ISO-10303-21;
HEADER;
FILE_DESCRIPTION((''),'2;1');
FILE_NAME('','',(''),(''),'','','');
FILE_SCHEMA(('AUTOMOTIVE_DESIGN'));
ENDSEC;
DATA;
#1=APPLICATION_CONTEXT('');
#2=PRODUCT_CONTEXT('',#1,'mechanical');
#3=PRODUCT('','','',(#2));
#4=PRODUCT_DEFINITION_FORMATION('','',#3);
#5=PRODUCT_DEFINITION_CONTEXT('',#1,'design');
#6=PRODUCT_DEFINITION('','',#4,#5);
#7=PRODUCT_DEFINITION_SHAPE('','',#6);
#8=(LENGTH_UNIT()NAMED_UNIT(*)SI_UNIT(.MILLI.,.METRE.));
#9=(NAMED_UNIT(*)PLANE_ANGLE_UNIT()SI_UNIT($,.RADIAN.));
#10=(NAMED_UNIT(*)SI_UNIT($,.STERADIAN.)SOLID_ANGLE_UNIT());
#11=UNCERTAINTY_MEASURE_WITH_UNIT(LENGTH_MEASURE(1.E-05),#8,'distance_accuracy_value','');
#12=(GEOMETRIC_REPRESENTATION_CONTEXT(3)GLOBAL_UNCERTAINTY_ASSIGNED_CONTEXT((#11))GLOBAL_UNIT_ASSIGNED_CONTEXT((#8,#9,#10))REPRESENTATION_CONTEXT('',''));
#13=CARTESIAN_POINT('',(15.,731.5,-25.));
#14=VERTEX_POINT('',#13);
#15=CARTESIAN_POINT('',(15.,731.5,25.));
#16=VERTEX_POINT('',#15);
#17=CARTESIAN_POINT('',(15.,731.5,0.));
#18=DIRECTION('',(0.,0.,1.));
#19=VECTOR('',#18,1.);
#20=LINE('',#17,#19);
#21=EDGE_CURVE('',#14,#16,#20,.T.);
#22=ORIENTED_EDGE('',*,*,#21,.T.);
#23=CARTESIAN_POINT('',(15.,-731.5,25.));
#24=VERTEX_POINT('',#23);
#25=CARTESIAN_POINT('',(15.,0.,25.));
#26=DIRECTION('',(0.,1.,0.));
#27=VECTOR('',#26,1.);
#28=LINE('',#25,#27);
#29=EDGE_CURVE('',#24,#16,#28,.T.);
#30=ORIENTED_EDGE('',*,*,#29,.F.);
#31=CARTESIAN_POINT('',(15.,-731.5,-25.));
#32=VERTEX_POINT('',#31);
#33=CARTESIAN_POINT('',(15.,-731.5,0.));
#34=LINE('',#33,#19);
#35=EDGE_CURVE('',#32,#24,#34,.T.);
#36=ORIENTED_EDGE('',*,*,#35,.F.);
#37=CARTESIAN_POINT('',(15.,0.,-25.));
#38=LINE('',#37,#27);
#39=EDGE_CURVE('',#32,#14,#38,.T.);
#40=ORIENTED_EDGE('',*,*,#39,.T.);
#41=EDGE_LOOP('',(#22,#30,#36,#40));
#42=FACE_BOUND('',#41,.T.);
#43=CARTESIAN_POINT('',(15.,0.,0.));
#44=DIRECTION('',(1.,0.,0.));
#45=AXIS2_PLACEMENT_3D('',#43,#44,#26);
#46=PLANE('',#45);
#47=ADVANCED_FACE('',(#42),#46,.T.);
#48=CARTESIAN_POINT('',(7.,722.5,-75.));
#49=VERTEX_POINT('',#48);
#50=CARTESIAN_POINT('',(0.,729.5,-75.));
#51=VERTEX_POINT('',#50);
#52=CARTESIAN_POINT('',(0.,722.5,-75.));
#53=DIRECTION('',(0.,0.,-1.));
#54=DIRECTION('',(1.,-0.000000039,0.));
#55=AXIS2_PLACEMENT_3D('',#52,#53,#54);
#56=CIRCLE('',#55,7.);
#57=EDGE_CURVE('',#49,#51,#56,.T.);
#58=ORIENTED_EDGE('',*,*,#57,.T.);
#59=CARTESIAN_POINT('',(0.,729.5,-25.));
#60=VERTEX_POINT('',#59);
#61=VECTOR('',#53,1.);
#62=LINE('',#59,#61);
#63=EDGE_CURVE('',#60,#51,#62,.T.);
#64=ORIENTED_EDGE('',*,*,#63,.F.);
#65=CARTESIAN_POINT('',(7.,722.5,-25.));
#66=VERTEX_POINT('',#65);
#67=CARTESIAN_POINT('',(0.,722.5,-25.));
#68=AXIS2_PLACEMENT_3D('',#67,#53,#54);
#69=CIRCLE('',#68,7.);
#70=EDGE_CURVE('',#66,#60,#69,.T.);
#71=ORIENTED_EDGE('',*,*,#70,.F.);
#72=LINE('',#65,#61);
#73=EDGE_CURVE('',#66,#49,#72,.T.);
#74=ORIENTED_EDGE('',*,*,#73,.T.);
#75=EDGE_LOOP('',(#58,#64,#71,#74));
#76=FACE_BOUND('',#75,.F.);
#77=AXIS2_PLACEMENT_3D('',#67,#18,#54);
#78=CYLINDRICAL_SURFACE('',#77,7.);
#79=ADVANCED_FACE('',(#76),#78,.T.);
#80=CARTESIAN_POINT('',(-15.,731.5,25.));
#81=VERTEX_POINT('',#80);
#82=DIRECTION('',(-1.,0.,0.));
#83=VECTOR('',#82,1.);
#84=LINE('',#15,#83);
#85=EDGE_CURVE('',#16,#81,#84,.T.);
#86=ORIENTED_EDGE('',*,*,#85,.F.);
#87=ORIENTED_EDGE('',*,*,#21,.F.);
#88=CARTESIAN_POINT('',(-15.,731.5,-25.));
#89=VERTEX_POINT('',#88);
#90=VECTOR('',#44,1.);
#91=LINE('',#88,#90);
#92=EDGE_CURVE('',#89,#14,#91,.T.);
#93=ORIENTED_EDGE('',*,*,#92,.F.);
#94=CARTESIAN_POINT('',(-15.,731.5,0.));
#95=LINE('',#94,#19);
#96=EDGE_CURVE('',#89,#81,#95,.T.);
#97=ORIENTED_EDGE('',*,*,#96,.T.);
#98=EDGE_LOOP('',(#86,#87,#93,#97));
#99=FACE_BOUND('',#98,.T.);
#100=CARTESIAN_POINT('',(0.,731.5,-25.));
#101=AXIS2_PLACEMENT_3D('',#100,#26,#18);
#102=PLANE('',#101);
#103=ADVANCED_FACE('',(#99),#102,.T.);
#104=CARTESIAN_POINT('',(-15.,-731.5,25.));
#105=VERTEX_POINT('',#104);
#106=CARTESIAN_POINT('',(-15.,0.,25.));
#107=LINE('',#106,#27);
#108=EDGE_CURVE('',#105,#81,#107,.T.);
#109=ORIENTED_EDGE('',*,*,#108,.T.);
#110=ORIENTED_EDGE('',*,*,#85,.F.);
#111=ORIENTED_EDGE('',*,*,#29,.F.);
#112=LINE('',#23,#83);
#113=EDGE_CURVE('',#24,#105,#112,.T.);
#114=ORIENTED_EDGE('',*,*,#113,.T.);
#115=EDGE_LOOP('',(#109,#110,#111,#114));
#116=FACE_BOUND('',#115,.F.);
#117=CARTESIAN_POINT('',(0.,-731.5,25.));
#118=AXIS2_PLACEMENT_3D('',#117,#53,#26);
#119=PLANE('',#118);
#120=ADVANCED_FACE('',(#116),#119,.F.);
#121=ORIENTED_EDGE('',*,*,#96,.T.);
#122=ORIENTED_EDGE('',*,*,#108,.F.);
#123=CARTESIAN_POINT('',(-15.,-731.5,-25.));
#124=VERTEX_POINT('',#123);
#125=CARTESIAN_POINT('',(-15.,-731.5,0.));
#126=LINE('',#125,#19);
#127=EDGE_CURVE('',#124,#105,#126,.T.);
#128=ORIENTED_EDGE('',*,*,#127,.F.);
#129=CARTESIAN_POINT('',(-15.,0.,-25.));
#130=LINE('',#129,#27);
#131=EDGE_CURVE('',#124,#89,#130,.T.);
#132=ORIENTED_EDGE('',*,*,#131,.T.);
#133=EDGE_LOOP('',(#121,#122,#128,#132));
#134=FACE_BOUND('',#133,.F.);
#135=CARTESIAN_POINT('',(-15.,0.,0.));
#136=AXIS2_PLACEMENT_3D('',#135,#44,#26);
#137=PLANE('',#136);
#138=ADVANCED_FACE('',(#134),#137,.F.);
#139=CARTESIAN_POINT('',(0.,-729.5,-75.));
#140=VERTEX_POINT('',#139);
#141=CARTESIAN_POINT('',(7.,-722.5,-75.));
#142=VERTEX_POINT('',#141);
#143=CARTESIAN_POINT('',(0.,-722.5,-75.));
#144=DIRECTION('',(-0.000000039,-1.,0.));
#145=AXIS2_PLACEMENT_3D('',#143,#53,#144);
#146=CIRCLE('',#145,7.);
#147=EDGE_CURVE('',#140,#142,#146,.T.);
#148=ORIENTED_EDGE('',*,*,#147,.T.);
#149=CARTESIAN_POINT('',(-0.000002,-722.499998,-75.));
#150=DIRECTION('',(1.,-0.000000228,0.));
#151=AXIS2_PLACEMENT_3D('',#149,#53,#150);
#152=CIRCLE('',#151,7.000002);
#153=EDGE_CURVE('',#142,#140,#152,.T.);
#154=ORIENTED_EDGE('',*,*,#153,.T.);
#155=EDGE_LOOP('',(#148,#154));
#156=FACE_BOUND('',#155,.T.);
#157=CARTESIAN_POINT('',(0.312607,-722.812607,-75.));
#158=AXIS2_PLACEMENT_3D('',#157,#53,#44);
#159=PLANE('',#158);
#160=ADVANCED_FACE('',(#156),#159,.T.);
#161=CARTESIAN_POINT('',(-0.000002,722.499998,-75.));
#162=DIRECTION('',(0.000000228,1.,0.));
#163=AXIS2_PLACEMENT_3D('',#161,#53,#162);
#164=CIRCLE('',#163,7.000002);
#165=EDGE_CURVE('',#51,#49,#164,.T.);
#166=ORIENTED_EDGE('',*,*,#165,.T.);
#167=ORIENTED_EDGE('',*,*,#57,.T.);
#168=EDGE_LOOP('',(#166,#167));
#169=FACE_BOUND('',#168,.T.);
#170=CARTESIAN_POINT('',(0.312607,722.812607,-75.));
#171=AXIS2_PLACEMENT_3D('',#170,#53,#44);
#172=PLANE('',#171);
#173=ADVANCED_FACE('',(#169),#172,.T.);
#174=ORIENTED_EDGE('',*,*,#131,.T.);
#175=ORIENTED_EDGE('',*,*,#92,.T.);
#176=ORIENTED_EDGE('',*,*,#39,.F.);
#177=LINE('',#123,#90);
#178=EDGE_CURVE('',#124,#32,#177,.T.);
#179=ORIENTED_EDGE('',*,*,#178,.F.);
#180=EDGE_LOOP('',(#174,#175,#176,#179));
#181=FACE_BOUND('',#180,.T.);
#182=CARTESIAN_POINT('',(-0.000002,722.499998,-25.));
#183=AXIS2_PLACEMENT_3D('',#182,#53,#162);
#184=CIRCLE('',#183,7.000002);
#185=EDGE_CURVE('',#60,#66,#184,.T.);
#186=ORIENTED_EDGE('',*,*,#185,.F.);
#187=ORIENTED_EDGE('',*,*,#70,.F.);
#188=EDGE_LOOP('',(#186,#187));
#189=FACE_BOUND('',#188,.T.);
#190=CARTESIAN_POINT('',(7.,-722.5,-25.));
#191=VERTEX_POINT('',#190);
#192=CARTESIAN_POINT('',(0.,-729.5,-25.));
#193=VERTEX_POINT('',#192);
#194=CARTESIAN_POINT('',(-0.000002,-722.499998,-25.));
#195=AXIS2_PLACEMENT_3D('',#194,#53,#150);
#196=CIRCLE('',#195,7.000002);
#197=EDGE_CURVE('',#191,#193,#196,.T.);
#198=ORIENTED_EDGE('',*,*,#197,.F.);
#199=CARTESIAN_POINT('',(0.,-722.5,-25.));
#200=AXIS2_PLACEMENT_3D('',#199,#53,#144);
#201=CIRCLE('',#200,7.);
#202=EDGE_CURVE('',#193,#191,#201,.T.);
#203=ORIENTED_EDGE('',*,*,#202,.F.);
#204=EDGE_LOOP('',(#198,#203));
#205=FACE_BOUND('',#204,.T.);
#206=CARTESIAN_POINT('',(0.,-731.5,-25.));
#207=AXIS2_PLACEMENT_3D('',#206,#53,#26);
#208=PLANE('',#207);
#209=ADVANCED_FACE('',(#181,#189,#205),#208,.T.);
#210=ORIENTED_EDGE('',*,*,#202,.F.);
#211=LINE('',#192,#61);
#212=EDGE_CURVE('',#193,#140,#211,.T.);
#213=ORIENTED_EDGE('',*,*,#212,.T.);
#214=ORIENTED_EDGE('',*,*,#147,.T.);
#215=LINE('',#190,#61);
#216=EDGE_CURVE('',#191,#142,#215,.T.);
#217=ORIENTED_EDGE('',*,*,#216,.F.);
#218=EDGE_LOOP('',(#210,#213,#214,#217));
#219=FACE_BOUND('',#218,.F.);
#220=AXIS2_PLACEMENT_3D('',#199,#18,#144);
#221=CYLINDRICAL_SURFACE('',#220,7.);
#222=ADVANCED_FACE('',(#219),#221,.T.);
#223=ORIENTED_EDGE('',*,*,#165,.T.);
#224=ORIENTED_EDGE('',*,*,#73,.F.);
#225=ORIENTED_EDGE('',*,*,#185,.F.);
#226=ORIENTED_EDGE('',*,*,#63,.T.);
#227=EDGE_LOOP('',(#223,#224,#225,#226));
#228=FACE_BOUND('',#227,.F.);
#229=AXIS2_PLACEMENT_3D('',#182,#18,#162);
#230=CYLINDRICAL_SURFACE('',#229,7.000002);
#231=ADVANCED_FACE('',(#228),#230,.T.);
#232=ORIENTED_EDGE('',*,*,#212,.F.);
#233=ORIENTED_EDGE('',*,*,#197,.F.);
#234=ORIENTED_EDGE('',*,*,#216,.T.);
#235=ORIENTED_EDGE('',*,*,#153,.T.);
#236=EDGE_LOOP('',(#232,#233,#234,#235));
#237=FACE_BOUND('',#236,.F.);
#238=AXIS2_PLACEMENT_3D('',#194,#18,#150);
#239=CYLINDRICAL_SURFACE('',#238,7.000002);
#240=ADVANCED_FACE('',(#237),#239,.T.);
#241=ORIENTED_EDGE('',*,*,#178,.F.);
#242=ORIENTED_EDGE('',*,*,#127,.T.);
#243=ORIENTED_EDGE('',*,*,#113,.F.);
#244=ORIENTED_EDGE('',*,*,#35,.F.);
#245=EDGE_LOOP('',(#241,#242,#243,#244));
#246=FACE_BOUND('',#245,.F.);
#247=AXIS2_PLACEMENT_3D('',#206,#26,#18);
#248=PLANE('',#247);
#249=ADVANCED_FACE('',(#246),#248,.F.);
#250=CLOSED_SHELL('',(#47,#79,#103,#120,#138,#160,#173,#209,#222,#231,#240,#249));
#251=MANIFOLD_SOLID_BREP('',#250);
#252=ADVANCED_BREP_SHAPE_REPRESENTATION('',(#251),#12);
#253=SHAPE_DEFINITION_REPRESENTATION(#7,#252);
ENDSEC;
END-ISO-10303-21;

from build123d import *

# Parameters (mm, degrees)
F0_W          = 1463
F0_H          = 50
F1_DEPTH      = 15
F1_DEPTH_BACK = 15
F3_DEPTH      = 50
F5_DEPTH      = 50


with BuildPart() as f1:
    # F0 (on Right) → F1 (new body, two sides)
    with BuildSketch(Plane.YZ) as f1_sk:
        Rectangle(F0_W, F0_H)
    extrude(amount=F1_DEPTH)
    extrude(f1_sk.sketch, amount=-F1_DEPTH_BACK)

    # F2 (on face) → F3 (join)
    with BuildSketch(Plane(origin=(0, 0, -25), x_dir=(1, 0, 0), z_dir=(0, 0, -1))):
        with BuildLine():
            ThreePointArc((0, 729.5), (-4.949747, 717.550253), (7, 722.5))
            ThreePointArc((7, 722.5), (4.949747, 727.449747), (0, 729.5))
        make_face()
    extrude(amount=F3_DEPTH)

    # F4 (on face) → F5 (join)
    with BuildSketch(Plane(origin=(0, 0, -25), x_dir=(1, 0, 0), z_dir=(0, 0, -1))):
        with BuildLine():
            ThreePointArc((0, -729.5), (4.949747, -727.449747), (7, -722.5))
            ThreePointArc((7, -722.5), (-4.949747, -717.550253), (0, -729.5))
        make_face()
    extrude(amount=F5_DEPTH)


solid = f1.part
